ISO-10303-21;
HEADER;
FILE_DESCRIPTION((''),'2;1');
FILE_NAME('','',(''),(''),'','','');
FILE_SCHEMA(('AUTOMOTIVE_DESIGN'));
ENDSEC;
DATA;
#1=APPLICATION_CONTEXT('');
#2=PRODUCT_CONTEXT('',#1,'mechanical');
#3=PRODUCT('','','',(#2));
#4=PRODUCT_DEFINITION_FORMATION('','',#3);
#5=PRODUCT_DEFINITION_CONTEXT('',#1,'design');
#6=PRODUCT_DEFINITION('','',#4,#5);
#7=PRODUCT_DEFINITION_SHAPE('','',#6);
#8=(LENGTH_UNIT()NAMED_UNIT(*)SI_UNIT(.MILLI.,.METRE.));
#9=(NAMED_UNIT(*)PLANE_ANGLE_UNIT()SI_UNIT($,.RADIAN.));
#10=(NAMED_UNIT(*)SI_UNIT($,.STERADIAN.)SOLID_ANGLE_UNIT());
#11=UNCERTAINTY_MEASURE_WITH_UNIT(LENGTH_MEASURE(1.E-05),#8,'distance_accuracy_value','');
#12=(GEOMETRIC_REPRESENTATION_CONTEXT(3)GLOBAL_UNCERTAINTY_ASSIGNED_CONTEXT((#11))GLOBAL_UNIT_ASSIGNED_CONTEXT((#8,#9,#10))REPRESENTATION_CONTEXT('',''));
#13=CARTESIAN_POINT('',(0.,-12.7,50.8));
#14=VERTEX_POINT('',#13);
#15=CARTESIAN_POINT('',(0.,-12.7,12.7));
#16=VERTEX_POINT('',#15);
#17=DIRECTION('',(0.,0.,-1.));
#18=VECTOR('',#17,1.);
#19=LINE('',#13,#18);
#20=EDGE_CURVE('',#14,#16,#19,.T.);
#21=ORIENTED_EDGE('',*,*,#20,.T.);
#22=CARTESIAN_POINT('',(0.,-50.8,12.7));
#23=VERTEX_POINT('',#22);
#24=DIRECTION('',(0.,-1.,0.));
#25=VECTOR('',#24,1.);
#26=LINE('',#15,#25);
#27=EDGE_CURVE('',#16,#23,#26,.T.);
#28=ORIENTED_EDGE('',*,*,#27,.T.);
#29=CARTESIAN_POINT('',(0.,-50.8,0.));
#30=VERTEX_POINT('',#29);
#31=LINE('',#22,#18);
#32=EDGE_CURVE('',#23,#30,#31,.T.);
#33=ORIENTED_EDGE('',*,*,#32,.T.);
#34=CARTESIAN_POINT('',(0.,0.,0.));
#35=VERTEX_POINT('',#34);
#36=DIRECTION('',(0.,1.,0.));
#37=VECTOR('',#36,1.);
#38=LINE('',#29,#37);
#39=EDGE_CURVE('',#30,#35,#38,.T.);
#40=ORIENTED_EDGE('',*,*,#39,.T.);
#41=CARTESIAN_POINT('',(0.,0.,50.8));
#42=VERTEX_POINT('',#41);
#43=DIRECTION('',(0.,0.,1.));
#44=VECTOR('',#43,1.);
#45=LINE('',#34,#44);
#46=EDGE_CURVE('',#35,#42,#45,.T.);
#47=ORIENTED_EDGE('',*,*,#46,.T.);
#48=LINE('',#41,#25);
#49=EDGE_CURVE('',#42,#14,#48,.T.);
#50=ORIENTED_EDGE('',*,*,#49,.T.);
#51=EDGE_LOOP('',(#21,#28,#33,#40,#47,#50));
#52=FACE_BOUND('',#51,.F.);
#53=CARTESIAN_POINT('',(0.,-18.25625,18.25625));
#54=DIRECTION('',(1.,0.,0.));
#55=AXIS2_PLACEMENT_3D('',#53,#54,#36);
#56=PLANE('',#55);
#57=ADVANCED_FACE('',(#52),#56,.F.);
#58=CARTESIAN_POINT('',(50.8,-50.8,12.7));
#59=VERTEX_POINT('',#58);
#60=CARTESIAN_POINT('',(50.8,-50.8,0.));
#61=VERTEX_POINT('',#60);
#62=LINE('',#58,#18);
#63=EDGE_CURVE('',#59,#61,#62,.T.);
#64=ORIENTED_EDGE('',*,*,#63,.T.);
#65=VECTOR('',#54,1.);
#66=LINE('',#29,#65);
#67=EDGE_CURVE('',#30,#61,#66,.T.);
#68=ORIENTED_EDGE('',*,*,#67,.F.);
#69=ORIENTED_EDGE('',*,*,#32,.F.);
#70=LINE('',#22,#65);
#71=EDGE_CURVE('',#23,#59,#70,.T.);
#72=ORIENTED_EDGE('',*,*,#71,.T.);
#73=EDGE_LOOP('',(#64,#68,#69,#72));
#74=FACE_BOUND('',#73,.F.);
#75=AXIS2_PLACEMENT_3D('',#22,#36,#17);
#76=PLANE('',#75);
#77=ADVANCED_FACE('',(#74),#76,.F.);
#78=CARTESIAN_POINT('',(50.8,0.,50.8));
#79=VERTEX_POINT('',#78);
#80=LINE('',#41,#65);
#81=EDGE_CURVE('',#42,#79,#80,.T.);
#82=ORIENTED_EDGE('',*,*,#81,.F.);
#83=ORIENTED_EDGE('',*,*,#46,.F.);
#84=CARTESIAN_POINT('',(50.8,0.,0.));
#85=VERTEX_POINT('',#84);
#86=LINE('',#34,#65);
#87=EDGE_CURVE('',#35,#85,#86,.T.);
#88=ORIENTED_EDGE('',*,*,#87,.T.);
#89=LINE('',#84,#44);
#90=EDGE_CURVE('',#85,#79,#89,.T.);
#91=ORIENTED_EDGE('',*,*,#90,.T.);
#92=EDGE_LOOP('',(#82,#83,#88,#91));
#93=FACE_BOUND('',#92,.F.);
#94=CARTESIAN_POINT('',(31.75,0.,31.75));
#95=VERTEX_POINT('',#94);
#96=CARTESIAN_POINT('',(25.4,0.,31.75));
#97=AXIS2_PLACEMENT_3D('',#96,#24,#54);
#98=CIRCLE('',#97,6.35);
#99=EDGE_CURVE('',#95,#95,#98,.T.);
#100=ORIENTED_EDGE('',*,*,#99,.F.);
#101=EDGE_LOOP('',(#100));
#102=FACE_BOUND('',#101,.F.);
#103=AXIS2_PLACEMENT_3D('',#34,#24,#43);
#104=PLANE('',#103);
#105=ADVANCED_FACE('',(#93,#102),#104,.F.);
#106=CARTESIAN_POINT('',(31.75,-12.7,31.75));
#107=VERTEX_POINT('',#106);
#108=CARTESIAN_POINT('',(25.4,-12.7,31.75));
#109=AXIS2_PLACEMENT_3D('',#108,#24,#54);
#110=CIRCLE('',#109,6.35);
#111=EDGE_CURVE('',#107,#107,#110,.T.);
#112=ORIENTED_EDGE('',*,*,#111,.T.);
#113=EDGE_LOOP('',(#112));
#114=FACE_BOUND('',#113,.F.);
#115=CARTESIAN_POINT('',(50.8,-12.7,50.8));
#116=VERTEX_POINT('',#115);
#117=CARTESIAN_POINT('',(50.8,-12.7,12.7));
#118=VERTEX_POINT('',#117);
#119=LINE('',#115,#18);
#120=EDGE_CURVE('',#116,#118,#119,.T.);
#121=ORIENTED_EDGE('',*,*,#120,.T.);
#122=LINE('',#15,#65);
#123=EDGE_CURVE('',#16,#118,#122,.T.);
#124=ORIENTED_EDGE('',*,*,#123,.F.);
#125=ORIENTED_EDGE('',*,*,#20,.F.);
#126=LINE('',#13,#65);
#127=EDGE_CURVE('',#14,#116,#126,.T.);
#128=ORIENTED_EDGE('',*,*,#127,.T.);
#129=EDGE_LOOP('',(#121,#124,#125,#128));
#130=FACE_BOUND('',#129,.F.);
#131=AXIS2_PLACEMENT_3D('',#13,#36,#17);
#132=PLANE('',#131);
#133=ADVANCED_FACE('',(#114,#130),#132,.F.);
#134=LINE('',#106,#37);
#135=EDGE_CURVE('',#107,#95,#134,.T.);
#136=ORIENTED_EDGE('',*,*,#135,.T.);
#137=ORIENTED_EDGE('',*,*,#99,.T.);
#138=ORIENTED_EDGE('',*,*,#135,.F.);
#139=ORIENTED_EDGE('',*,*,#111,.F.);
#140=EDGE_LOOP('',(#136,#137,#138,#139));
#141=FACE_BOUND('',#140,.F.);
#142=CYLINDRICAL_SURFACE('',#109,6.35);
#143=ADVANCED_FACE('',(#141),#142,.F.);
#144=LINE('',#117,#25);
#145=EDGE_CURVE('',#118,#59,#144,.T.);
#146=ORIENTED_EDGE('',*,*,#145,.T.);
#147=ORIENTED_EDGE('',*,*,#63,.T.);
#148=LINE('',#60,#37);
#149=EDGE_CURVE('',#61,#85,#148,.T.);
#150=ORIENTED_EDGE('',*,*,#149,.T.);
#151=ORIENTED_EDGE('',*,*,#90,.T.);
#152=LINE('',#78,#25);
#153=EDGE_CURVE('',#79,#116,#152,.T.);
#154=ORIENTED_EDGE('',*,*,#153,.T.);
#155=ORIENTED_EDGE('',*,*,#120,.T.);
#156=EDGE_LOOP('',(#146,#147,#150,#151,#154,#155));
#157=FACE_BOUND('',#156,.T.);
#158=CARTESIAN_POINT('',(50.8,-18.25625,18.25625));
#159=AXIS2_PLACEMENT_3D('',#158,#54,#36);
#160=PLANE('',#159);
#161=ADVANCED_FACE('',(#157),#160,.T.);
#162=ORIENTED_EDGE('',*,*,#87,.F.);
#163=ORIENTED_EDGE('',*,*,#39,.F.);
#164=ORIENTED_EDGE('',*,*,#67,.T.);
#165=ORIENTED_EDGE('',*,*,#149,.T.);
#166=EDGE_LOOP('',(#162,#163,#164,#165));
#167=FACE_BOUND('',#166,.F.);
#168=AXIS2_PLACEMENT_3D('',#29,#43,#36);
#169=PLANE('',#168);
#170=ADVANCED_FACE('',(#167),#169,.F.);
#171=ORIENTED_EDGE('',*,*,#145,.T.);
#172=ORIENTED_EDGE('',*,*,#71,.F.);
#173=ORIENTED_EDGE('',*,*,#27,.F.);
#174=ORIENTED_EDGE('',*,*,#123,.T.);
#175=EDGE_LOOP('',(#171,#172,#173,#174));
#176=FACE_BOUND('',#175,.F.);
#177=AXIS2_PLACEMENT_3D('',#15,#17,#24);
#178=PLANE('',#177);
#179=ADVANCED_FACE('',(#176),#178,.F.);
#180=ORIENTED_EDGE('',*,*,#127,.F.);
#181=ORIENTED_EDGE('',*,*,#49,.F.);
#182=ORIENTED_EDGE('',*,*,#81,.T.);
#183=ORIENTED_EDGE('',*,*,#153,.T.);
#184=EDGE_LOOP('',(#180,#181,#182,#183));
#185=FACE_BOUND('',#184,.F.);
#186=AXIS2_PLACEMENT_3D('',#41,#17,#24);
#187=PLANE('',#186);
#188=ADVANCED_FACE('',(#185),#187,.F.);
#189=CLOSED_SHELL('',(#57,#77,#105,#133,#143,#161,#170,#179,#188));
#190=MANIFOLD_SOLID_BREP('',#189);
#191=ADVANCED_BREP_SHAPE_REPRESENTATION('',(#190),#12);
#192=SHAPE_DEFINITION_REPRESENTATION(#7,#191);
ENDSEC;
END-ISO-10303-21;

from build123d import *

# Parameters (mm, degrees)
F1_DEPTH = 50.8
F2_R     = 6.35
F3_DEPTH = 25.4


with BuildPart() as f1:
    # F0 (on Right) → F1 (new body)
    with BuildSketch(Plane.YZ):
        Polygon((-50.8, 0), (0, 0), (0, 50.8), (-12.7, 50.8), (-12.7, 12.7), (-50.8, 12.7), align=None)
    extrude(amount=F1_DEPTH)

    # F2 (on face) → F3 (cut)
    with BuildSketch(Plane.XZ.offset(12.7)):
        with Locations((25.4, 31.75)):
            Circle(F2_R)
    extrude(amount=-F3_DEPTH, mode=Mode.SUBTRACT)


solid = f1.part
